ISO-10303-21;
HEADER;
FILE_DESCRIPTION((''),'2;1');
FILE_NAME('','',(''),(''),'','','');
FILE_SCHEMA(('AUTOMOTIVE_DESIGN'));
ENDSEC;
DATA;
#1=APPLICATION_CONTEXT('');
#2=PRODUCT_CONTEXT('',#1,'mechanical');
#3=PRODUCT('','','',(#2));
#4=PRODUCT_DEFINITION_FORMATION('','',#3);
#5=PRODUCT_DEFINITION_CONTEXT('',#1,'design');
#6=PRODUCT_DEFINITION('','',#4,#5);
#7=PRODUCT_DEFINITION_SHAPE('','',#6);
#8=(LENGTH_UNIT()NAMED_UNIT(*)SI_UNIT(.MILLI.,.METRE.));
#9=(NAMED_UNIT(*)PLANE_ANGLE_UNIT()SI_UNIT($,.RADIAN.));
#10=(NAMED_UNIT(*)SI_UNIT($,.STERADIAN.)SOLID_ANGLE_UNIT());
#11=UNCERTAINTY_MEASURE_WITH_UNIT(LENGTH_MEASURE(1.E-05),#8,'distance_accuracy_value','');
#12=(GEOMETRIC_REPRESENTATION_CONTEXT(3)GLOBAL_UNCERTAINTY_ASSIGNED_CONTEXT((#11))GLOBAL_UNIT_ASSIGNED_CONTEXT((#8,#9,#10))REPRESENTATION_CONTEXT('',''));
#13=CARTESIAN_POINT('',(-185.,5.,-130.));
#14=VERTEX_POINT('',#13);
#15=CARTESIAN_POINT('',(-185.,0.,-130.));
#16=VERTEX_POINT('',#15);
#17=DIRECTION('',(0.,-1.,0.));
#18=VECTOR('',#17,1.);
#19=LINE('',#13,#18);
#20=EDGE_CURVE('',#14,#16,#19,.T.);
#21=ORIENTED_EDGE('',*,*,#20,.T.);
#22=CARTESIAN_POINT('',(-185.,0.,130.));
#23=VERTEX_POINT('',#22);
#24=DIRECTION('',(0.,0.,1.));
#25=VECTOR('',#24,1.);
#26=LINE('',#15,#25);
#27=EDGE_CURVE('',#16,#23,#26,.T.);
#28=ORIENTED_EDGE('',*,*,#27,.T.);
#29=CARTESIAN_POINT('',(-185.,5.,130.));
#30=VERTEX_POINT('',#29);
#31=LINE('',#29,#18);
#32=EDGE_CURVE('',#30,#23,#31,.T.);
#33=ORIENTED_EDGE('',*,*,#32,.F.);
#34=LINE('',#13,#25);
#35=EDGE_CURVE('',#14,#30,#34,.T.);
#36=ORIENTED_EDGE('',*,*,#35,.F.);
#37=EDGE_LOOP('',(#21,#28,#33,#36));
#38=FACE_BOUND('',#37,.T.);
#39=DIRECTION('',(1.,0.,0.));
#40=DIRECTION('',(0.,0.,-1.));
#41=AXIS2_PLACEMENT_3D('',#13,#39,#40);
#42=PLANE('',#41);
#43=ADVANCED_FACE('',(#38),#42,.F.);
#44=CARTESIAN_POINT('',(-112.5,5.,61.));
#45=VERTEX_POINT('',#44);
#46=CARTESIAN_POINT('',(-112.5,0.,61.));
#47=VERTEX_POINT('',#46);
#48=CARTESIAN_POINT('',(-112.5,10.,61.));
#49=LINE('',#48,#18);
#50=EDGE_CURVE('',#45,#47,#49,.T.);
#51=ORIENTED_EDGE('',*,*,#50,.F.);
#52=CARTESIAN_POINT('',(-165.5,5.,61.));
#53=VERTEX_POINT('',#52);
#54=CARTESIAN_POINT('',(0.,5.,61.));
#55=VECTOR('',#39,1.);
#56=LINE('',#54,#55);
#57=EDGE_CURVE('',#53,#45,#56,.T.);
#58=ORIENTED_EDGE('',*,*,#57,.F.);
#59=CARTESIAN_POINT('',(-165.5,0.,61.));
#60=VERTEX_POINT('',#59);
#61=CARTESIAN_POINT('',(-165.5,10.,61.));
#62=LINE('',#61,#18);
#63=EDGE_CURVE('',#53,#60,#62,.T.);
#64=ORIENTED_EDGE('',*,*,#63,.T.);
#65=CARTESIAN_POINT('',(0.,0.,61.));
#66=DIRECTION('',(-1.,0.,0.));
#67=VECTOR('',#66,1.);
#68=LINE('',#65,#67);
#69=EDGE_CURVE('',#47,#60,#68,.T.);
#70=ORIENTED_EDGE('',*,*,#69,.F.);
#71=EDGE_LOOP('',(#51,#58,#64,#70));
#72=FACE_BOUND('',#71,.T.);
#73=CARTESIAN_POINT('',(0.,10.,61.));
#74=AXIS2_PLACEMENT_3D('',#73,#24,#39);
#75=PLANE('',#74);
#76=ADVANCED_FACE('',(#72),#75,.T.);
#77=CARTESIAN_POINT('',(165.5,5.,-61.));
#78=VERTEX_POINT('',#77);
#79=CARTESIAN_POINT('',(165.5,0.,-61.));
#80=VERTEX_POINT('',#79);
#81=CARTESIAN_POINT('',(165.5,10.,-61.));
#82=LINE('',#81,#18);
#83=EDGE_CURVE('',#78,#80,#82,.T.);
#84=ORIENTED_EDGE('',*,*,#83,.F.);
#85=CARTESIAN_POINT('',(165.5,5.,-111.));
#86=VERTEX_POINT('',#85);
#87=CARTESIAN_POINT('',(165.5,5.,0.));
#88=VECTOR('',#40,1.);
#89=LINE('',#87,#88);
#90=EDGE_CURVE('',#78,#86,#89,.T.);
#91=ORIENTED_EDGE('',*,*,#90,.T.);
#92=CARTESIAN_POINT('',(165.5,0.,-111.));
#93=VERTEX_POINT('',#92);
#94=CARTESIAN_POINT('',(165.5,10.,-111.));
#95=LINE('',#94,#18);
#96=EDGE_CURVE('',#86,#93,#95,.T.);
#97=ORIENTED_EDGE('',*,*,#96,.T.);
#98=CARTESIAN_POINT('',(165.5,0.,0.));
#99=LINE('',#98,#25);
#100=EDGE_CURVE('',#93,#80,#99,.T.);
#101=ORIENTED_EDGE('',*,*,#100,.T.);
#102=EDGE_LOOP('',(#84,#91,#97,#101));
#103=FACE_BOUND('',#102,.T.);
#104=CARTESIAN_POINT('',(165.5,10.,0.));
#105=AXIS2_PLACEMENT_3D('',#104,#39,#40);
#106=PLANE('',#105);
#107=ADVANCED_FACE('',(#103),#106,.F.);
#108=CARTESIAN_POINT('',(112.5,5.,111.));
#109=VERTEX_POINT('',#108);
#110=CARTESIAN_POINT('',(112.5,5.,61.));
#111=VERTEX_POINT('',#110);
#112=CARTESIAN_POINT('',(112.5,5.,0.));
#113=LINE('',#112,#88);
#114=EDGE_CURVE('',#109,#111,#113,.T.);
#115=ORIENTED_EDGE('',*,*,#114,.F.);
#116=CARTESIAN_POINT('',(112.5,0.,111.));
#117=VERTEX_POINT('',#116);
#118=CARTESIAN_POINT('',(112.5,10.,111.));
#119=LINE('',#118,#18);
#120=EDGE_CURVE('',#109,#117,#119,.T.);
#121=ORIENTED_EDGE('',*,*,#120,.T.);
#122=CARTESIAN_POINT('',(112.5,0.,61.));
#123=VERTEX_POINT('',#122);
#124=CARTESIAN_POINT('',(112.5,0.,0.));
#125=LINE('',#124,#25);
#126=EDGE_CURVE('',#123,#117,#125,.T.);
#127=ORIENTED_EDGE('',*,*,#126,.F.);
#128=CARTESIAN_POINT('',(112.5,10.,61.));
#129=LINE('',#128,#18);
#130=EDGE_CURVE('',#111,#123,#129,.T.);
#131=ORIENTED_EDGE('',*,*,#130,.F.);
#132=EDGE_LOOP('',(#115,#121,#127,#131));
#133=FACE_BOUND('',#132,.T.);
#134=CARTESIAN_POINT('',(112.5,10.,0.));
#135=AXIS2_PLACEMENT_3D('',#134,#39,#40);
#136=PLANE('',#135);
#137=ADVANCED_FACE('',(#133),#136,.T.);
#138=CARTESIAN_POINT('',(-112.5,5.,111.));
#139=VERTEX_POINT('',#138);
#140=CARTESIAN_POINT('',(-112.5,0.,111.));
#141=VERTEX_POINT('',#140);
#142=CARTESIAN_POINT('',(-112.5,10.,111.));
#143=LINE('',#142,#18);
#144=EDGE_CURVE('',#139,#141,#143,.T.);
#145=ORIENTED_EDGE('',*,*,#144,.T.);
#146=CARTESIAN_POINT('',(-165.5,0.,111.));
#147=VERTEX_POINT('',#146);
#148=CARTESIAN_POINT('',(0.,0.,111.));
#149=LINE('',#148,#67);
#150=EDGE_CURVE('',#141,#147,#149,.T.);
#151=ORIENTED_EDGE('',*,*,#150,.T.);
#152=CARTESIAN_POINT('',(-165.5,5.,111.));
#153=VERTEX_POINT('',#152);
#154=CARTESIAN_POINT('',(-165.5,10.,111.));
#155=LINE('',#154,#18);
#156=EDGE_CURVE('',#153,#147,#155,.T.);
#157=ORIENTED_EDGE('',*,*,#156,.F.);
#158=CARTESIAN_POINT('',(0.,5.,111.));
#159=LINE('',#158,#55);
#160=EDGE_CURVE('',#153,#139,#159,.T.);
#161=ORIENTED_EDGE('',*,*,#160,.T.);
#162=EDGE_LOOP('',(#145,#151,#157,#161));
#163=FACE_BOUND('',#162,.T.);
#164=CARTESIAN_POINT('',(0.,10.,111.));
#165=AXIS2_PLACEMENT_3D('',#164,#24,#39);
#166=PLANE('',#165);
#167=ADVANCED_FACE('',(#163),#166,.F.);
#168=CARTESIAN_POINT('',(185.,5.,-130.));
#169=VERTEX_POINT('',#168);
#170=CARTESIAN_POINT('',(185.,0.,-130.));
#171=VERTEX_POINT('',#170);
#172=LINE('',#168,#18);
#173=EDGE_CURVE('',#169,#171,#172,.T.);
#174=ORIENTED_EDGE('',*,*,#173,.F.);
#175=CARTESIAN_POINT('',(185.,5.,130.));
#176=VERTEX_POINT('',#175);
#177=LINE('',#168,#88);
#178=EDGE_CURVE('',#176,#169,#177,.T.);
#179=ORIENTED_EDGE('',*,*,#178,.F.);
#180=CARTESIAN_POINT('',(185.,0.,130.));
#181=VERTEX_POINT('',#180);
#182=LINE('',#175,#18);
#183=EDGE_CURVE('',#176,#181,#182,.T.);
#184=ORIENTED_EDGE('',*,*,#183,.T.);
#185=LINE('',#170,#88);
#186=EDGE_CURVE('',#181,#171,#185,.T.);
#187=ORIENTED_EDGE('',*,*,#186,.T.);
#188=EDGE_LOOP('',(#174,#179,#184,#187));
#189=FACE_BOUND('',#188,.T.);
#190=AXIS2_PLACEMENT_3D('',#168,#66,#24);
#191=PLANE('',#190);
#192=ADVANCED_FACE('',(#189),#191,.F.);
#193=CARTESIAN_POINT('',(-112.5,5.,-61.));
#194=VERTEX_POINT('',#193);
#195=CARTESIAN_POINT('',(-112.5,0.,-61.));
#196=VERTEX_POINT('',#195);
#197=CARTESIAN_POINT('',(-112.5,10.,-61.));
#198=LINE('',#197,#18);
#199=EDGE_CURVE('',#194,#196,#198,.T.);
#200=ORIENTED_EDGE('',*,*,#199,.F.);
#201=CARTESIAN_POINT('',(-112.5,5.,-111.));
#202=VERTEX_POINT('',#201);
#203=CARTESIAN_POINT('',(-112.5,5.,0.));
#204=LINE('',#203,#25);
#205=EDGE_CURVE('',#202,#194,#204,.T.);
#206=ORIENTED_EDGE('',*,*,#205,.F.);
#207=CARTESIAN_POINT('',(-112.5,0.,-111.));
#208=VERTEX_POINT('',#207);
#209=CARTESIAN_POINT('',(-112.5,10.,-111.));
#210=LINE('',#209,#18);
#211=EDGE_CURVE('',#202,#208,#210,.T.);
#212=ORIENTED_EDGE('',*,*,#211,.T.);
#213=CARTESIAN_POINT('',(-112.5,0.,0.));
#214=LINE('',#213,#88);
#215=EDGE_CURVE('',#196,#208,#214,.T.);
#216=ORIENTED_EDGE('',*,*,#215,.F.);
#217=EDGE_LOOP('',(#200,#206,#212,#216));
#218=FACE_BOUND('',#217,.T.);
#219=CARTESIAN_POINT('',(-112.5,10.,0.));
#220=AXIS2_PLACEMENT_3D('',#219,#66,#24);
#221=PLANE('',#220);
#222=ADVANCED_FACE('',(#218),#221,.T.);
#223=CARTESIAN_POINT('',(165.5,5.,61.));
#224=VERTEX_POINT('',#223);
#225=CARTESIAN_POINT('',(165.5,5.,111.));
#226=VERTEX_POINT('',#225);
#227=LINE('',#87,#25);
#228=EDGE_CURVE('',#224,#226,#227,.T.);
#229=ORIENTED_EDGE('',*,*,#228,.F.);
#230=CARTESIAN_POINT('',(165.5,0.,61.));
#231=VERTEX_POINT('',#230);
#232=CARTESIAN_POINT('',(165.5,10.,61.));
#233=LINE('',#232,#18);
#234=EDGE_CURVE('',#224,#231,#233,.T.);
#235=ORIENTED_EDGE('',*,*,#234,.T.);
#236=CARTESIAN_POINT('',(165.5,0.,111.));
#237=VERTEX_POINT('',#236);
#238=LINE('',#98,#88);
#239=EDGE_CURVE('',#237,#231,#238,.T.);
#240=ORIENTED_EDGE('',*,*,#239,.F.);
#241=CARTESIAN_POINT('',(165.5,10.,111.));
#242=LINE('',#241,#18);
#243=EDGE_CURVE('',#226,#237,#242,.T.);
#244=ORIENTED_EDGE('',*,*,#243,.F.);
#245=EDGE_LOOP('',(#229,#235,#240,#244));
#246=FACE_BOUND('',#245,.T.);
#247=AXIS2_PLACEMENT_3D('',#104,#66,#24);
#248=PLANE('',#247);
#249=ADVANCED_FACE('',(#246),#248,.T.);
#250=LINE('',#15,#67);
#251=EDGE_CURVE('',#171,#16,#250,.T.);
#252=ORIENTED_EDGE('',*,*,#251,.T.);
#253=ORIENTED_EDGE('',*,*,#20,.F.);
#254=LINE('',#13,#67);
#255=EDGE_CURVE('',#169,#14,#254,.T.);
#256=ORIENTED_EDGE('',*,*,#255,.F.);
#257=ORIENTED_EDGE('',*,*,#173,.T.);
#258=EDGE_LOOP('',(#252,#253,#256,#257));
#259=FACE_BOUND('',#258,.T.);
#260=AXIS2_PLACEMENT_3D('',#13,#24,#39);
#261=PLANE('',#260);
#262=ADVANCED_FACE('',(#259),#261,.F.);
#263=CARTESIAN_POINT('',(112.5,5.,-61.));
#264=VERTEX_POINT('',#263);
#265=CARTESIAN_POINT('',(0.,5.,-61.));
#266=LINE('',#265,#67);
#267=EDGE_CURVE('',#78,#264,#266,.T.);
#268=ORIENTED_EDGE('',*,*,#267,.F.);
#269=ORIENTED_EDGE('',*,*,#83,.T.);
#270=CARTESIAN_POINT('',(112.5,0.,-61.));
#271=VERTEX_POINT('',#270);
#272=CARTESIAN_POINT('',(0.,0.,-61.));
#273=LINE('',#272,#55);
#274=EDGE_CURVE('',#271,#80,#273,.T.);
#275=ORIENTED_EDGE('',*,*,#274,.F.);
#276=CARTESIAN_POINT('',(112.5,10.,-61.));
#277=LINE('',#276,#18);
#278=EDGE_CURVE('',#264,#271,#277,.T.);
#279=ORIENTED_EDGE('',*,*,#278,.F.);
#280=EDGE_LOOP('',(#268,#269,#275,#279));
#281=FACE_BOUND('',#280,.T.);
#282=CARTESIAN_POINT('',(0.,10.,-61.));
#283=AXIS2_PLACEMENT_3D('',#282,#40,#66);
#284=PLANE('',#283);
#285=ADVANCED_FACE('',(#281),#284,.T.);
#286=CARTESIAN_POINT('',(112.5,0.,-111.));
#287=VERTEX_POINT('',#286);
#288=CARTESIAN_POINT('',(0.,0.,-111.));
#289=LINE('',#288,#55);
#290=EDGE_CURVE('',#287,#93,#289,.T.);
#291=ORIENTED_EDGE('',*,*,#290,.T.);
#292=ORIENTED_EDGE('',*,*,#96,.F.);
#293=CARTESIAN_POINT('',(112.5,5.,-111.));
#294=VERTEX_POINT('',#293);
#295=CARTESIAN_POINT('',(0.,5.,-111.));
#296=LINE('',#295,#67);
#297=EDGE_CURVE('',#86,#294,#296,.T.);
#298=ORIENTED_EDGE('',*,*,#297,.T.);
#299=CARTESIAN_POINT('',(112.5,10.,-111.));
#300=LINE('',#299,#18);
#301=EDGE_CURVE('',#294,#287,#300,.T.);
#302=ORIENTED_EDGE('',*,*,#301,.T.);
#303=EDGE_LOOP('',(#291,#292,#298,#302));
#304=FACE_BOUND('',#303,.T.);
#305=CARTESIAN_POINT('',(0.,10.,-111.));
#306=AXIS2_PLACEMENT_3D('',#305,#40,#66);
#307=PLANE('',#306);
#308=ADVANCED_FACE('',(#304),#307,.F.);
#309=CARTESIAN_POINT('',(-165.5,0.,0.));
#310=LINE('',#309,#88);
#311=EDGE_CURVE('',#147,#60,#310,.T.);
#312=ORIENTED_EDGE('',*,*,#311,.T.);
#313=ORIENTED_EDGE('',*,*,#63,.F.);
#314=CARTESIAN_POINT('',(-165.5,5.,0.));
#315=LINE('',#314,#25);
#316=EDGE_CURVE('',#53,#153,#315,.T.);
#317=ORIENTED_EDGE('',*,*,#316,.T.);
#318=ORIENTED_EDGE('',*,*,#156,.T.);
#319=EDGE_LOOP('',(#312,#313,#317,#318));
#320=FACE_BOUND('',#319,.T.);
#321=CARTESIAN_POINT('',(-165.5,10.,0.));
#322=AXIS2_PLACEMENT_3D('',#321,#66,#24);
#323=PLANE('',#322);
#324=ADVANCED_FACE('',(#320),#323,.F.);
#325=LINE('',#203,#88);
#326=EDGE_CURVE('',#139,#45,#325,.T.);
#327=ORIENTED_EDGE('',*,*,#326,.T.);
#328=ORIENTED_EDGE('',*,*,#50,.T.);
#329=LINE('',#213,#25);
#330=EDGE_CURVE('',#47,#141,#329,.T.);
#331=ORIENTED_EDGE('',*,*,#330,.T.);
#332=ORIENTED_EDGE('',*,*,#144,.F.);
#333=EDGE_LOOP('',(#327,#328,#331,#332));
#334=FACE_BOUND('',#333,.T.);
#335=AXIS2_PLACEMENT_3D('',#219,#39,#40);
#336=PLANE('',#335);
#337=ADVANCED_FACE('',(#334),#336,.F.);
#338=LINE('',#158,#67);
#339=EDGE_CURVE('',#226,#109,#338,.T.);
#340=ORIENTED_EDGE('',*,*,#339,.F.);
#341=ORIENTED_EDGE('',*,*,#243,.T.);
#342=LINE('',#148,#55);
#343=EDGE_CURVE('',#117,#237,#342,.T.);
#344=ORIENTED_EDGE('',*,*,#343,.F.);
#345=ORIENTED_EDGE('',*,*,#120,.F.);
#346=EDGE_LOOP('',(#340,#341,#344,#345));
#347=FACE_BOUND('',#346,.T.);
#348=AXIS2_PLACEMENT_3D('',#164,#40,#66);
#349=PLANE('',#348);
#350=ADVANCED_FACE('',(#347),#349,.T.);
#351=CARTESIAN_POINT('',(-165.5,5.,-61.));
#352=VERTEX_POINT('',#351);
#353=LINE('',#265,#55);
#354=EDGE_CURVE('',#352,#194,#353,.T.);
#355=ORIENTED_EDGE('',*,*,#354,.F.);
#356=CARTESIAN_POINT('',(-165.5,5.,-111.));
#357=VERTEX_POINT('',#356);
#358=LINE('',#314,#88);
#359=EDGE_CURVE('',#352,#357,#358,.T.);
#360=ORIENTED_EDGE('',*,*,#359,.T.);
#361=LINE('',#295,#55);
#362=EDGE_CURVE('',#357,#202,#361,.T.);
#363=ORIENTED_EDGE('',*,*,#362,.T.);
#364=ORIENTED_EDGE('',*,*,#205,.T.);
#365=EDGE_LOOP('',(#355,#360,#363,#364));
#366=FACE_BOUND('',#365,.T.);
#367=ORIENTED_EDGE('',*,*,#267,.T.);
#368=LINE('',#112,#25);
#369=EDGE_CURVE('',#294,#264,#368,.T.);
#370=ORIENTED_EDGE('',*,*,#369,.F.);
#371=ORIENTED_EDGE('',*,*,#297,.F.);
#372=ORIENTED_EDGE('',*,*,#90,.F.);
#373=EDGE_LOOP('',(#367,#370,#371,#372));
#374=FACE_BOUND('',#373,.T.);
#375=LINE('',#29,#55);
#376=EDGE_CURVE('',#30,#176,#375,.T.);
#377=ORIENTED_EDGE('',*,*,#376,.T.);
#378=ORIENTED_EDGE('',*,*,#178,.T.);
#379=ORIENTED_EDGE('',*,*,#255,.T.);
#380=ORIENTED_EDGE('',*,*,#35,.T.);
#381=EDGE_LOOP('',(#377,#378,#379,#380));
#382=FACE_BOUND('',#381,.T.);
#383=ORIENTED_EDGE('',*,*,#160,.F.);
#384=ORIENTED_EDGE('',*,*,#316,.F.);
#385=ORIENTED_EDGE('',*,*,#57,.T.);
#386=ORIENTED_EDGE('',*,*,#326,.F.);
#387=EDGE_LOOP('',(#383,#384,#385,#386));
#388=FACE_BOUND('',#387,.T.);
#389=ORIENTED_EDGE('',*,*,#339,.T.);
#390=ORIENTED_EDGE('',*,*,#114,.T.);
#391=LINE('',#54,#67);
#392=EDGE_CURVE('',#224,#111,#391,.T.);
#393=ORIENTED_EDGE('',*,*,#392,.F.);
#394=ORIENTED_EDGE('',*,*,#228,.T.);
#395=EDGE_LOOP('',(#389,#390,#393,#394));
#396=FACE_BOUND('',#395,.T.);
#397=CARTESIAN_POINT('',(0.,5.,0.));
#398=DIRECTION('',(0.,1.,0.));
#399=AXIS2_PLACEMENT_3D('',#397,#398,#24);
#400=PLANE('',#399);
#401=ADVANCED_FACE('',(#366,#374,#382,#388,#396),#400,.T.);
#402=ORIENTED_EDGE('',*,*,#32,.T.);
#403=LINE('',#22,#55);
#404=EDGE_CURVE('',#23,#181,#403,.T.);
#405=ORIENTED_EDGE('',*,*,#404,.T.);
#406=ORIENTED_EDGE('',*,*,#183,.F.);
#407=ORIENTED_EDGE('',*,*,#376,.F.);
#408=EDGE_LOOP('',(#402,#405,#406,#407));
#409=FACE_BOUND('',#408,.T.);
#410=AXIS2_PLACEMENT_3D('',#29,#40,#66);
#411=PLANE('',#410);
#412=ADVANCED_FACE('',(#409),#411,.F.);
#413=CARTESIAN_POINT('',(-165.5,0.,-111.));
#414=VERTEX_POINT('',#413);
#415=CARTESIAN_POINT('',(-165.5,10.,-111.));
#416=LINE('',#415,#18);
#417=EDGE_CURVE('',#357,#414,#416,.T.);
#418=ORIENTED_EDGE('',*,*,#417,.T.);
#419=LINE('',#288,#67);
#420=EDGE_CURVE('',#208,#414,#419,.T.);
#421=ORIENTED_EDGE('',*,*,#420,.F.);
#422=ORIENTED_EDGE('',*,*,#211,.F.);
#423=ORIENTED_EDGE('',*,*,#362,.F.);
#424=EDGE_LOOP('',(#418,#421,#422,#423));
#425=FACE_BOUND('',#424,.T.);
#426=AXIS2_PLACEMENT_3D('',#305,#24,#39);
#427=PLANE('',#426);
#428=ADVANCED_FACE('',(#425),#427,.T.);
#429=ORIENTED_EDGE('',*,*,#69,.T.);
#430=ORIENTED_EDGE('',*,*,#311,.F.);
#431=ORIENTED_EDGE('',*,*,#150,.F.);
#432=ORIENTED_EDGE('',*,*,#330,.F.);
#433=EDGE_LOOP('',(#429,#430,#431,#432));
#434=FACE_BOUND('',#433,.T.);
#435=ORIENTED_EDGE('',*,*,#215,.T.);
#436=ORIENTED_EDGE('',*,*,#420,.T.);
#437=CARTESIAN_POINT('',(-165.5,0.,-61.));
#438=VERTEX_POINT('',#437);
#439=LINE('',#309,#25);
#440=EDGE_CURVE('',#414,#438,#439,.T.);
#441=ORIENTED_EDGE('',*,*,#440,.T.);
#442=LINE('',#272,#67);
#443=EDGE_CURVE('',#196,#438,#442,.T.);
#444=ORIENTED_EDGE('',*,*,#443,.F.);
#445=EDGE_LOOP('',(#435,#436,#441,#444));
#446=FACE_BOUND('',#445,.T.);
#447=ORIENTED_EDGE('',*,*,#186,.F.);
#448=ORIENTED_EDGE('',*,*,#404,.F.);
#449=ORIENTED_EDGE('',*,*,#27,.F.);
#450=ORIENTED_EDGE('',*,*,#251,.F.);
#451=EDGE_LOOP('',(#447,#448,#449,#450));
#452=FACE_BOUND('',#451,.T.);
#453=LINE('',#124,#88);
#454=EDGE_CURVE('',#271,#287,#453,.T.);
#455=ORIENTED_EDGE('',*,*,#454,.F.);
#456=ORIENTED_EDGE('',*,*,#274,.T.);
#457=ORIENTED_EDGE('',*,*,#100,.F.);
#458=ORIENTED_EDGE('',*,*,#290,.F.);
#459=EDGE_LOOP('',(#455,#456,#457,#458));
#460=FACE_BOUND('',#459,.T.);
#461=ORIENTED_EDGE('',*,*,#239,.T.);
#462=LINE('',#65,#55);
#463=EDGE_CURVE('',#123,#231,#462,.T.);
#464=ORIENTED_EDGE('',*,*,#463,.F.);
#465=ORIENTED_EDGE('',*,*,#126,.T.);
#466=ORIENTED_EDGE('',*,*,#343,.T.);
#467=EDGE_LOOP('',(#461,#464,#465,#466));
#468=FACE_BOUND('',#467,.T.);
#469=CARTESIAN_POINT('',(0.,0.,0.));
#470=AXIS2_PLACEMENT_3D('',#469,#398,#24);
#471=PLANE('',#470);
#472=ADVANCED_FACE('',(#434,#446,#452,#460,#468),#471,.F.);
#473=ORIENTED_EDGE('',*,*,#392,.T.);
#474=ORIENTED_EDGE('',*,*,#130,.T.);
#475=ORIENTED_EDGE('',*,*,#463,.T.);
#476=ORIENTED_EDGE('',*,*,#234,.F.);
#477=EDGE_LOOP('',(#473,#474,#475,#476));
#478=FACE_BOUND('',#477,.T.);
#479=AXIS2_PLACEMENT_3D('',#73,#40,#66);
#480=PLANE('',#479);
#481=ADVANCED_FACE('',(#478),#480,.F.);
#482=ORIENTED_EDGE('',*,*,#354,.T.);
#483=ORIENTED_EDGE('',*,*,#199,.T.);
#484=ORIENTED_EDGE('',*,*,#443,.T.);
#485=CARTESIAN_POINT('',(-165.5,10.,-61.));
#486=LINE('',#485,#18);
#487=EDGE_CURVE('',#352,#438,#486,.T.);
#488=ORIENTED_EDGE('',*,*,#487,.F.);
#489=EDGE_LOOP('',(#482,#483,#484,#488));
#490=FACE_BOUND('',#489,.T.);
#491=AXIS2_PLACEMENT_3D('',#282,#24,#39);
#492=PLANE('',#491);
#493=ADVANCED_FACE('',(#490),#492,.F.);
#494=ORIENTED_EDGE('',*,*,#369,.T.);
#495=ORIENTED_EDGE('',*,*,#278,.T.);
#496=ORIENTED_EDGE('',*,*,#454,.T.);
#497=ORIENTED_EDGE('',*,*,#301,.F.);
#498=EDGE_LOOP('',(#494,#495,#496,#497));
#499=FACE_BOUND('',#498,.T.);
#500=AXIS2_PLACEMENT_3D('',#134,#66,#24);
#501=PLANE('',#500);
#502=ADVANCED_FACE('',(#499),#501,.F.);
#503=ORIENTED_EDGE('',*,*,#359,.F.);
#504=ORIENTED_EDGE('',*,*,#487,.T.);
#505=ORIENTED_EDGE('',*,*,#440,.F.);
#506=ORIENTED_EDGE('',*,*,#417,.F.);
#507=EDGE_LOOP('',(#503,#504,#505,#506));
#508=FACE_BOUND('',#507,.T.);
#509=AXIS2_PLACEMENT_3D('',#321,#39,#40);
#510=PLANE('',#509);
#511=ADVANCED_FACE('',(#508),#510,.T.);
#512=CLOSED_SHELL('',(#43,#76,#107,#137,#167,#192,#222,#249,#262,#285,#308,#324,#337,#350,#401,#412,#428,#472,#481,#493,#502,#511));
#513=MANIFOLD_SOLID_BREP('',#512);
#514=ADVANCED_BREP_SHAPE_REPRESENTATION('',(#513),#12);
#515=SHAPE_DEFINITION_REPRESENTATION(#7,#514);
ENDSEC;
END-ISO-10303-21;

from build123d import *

# Parameters (mm, degrees)
SKETCH1_W           = 370
SKETCH1_H           = 260
BOSS_EXTRUDE1_DEPTH = 5
SKETCH3_W           = 53
SKETCH3_H           = 50
CUT_EXTRUDE3_DEPTH  = 10


with BuildPart() as part:
    # Sketch1 → Boss-Extrude1 (new body)
    with BuildSketch(Plane(origin=(0, 0, 0), x_dir=(1, 0, 0), z_dir=(0, 1, 0))):
        Rectangle(SKETCH1_W, SKETCH1_H)
    extrude(amount=BOSS_EXTRUDE1_DEPTH)

    # Sketch3 → Cut-Extrude3 (cut)
    with BuildSketch(Plane.XZ):
        with Locations((-139, 86)):
            Rectangle(SKETCH3_W, SKETCH3_H)
        with Locations((-139, -86)):
            Rectangle(SKETCH3_W, SKETCH3_H)
        with Locations((139, 86)):
            Rectangle(SKETCH3_W, SKETCH3_H)
        with Locations((139, -86)):
            Rectangle(SKETCH3_W, SKETCH3_H)
    extrude(amount=-CUT_EXTRUDE3_DEPTH, mode=Mode.SUBTRACT)


solid = part.part
